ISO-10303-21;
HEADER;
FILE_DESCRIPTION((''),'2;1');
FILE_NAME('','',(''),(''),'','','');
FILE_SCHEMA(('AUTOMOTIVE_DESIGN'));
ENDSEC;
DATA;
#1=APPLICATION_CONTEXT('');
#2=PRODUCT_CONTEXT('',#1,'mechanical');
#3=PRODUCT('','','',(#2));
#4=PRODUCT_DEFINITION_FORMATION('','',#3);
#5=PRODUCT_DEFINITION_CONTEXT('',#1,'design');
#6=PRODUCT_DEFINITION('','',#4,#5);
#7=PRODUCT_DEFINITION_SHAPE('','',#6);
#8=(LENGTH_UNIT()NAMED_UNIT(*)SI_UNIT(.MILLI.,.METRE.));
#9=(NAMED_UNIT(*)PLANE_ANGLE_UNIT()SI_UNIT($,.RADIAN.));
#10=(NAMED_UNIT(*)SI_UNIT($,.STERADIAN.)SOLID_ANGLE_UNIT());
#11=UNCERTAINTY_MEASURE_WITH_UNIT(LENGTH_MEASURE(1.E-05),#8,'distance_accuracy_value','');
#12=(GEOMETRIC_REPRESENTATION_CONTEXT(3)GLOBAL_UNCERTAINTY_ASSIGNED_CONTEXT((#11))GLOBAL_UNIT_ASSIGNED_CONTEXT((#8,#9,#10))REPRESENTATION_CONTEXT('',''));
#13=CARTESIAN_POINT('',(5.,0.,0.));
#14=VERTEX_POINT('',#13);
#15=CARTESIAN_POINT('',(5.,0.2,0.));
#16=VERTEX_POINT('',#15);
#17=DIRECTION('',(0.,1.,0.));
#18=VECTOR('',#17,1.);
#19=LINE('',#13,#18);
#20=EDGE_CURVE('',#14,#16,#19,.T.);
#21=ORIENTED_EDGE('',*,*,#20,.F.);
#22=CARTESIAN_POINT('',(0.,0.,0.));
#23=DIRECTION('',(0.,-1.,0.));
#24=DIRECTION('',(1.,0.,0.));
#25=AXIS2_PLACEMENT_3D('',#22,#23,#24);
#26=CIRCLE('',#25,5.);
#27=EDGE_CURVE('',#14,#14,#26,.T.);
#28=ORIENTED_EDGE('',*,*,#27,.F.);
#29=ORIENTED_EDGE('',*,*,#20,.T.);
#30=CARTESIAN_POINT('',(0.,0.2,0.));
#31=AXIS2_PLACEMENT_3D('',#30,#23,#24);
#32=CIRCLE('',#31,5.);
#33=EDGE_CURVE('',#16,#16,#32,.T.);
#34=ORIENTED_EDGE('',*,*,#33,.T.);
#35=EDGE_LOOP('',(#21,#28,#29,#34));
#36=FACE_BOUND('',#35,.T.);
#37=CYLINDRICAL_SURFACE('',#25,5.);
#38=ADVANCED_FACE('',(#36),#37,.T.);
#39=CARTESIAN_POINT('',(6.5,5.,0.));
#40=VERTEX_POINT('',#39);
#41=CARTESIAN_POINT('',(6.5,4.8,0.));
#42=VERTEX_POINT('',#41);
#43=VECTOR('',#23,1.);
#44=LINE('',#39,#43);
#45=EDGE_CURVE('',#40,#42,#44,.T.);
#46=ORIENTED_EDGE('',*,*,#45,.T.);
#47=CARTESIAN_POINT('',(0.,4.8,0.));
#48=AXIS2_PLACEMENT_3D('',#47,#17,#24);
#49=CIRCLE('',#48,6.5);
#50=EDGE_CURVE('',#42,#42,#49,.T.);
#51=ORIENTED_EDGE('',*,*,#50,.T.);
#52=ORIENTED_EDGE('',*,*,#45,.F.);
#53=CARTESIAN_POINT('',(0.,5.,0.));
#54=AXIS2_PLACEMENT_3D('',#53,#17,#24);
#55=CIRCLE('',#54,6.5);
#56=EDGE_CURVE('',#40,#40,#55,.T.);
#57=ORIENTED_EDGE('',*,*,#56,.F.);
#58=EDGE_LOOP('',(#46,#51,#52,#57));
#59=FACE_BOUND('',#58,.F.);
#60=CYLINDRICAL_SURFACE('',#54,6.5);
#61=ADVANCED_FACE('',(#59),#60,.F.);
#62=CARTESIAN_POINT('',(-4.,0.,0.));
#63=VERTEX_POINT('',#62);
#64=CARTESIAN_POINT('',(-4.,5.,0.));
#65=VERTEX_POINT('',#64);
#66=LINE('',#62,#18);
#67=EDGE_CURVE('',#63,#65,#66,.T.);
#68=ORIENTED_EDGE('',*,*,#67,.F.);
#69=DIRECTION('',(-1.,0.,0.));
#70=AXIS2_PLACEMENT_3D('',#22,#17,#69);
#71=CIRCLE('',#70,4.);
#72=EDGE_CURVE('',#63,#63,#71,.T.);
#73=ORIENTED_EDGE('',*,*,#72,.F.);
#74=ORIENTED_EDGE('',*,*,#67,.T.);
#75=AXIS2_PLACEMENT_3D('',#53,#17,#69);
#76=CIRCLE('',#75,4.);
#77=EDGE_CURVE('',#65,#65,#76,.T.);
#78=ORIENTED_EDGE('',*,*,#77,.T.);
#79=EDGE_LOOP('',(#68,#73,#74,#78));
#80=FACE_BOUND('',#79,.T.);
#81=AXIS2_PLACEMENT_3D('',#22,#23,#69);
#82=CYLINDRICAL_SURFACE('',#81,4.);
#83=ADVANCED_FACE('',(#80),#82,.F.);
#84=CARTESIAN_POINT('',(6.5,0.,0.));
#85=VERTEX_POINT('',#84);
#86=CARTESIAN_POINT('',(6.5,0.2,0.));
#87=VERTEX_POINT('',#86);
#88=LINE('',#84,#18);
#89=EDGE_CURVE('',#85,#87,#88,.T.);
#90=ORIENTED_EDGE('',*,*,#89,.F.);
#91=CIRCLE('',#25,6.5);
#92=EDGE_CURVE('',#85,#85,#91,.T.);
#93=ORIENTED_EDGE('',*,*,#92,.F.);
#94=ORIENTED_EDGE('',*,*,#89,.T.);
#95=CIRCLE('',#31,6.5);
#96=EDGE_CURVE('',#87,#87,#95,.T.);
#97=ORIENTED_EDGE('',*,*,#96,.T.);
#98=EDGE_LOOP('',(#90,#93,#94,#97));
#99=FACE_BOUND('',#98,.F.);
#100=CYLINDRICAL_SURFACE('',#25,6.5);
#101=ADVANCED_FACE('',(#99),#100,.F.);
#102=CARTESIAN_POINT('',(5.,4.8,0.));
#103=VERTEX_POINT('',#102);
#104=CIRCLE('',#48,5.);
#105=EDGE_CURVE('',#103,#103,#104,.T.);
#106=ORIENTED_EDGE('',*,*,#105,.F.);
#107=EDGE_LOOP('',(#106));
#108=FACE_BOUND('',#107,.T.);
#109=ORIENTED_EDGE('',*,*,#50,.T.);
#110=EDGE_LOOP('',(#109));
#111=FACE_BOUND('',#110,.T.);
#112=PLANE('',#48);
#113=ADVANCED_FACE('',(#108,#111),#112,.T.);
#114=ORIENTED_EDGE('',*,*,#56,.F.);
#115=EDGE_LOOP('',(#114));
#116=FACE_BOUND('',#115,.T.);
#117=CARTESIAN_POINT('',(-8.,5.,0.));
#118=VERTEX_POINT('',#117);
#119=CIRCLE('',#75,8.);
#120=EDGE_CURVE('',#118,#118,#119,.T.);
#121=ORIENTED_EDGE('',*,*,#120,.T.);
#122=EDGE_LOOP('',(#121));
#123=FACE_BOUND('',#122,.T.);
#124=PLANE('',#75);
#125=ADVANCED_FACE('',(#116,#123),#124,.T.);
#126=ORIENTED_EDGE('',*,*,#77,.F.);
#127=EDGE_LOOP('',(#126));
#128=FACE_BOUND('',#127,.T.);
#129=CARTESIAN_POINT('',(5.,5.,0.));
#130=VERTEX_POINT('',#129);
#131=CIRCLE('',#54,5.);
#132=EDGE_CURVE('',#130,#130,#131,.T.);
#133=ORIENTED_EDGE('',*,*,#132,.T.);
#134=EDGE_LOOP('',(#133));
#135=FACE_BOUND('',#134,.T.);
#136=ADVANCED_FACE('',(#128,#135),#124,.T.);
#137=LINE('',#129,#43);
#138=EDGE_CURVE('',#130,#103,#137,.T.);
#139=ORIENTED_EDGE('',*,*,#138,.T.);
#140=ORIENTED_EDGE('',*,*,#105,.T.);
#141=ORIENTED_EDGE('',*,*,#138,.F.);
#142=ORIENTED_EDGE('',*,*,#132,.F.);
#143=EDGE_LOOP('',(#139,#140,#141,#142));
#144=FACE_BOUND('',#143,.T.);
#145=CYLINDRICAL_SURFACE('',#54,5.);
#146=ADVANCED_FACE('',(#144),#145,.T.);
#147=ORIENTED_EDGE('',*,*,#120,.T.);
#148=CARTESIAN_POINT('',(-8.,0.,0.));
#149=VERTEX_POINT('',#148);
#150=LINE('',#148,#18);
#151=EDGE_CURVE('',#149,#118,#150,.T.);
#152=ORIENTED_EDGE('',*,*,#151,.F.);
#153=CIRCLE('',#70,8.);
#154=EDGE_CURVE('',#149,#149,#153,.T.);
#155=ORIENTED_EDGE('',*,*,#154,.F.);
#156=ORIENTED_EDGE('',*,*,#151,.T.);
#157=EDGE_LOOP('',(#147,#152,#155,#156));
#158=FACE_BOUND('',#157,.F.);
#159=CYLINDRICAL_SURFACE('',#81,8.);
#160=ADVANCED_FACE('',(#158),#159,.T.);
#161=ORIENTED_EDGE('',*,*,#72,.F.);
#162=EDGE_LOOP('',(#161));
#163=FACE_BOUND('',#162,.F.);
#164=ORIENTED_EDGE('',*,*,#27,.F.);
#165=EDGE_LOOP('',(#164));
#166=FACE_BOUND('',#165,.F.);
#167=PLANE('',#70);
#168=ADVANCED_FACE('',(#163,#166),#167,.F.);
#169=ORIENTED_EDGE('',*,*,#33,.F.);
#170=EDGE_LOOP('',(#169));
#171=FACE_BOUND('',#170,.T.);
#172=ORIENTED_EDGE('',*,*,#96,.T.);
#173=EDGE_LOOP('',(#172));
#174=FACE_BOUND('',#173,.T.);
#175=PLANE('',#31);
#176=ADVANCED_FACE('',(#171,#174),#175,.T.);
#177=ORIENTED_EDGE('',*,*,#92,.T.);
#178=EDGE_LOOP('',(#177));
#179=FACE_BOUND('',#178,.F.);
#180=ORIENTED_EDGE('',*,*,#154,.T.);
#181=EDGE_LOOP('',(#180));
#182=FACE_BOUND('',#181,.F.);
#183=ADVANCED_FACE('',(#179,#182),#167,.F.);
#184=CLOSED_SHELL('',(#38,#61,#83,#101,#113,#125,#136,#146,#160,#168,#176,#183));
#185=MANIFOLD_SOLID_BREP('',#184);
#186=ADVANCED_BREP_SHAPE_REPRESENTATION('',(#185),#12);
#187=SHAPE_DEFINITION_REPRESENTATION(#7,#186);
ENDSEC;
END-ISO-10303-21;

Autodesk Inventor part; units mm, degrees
ref_plane "YZ Plane" through (0, 0, 0) normal (1, 0, 0) x (0, 1, 0)
ref_plane "XZ Plane" through (0, 0, 0) normal (0, 1, 0) x (-1, 0, 0)
ref_plane "XY Plane" through (0, 0, 0) normal (0, 0, 1) x (1, 0, 0)
sketch "Sketch1" plane through (0, 0, 0) normal (0, 1, 0) x (-1, 0, 0)
  circle A0 centre (0, 0) radius 4
  circle A1 centre (0, 0) radius 8
  dimension "d0" = 8
  dimension "d1" = 16
extrude "Extrusion1" add sketch "Sketch1" along normal blind 5
sketch "Sketch2" plane through (0, 5, 0) normal (0, 1, 0) x (1, 0, 0)
  circle A0 centre (0, 0) radius 8 projected
  circle A1 centre (0, 0) radius 4 projected
  circle A2 centre (0, 0) radius 5
  circle A3 centre (0, 0) radius 6.5
  dimension "d4" = 10
  dimension "d5" = 13
extrude "Extrusion2" cut sketch "Sketch2" against normal blind 0.2 contours A3
sketch "Sketch3" plane through (0, 0, 0) normal (0, -1, 0) x (1, 0, 0)
  circle A0 centre (0, 0) radius 5 projected
  circle A1 centre (0, 0) radius 6.5 projected
extrude "Extrusion3" cut sketch "Sketch3" against normal blind 0.2
properties part number "bearing_8_16_5"
